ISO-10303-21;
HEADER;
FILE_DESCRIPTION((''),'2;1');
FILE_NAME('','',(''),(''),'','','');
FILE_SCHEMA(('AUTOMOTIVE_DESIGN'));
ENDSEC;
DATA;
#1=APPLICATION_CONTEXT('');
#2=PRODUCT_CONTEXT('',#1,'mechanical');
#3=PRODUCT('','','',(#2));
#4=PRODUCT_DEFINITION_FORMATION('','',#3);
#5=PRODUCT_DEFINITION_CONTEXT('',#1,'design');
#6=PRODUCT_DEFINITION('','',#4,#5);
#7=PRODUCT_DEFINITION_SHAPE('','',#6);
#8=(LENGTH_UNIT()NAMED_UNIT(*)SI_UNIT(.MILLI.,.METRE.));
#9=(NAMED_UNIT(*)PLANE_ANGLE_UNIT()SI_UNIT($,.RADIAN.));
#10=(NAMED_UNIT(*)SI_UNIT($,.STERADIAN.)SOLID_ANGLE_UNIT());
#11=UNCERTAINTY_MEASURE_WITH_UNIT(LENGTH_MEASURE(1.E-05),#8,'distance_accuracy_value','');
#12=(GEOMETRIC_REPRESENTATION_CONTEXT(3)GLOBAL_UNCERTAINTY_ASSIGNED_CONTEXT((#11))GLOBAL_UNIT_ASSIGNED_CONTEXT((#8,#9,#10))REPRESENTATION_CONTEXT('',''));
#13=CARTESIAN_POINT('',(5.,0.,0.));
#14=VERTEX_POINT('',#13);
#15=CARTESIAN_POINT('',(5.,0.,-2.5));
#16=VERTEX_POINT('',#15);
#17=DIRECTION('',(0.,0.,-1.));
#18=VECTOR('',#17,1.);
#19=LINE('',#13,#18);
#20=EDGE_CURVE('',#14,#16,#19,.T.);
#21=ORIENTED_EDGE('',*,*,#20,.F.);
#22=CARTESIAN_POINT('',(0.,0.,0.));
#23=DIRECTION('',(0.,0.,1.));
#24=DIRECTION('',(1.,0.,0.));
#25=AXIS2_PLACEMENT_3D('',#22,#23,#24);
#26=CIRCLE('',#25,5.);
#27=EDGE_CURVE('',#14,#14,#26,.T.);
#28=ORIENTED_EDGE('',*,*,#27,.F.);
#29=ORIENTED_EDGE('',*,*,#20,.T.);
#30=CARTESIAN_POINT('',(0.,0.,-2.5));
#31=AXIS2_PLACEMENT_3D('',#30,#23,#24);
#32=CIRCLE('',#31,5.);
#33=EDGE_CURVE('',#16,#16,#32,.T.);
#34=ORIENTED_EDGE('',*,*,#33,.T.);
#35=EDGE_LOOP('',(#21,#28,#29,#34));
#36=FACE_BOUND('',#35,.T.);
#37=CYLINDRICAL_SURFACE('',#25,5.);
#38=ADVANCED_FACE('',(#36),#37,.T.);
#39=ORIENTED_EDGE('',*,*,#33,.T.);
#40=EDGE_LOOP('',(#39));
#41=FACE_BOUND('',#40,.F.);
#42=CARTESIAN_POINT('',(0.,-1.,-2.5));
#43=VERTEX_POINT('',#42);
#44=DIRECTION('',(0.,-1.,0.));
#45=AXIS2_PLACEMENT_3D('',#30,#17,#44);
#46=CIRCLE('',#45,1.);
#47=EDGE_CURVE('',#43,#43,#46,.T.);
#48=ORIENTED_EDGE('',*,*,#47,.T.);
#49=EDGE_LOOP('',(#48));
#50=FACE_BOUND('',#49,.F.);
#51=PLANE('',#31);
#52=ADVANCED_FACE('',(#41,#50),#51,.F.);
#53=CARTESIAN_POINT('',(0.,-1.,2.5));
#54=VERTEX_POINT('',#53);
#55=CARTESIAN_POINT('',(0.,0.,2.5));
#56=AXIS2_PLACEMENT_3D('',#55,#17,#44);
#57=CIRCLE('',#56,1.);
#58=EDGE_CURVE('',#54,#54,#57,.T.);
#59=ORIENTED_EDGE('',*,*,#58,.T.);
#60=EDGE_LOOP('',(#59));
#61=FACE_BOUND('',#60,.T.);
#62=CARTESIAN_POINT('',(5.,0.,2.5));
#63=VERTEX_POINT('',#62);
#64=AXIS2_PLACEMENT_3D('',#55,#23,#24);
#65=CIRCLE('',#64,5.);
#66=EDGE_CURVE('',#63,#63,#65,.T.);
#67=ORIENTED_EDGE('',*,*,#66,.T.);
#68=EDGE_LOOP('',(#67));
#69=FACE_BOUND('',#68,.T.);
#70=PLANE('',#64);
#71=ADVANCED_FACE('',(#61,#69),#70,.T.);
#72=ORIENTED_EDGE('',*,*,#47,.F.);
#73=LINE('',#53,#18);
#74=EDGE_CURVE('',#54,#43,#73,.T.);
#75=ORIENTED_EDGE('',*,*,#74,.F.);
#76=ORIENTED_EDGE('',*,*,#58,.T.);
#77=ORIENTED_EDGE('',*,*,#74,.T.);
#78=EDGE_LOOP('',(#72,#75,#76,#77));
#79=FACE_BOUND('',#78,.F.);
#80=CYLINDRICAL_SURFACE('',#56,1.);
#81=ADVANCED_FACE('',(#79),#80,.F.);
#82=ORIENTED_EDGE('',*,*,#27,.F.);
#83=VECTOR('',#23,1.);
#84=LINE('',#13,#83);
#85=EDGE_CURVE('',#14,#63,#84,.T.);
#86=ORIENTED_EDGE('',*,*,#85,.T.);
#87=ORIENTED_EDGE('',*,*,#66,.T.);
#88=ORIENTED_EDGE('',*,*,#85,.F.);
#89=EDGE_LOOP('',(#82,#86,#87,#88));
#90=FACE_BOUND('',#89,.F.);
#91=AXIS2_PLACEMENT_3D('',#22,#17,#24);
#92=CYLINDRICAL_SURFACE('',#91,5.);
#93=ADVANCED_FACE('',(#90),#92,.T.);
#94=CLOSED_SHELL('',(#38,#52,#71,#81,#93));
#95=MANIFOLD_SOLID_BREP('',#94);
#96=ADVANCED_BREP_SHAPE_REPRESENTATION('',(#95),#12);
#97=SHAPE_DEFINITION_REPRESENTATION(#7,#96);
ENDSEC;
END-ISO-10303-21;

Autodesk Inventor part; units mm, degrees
ref_plane "YZ Plane" through (0, 0, 0) normal (1, 0, 0) x (0, 1, 0)
ref_plane "XZ Plane" through (0, 0, 0) normal (0, 1, 0) x (-1, 0, 0)
ref_plane "XY Plane" through (0, 0, 0) normal (0, 0, 1) x (1, 0, 0)
sketch "草图1" plane through (0, 0, 0) normal (0, 0, 1) x (1, 0, 0)
  circle A0 centre (0, 0) radius 5
  dimension "d0" = 10
extrude "拉伸1" add sketch "草图1" along normal mid plane 5
sketch "草图2" plane through (0, 0, 2.5) normal (0, 0, 1) x (1, 0, 0)
  circle A0 centre (0, 0) radius 5 projected
hole "孔1" at (0, 0, 2.5) direction (0, 0, -1) diameter 2 end through all
properties part number "轮"
